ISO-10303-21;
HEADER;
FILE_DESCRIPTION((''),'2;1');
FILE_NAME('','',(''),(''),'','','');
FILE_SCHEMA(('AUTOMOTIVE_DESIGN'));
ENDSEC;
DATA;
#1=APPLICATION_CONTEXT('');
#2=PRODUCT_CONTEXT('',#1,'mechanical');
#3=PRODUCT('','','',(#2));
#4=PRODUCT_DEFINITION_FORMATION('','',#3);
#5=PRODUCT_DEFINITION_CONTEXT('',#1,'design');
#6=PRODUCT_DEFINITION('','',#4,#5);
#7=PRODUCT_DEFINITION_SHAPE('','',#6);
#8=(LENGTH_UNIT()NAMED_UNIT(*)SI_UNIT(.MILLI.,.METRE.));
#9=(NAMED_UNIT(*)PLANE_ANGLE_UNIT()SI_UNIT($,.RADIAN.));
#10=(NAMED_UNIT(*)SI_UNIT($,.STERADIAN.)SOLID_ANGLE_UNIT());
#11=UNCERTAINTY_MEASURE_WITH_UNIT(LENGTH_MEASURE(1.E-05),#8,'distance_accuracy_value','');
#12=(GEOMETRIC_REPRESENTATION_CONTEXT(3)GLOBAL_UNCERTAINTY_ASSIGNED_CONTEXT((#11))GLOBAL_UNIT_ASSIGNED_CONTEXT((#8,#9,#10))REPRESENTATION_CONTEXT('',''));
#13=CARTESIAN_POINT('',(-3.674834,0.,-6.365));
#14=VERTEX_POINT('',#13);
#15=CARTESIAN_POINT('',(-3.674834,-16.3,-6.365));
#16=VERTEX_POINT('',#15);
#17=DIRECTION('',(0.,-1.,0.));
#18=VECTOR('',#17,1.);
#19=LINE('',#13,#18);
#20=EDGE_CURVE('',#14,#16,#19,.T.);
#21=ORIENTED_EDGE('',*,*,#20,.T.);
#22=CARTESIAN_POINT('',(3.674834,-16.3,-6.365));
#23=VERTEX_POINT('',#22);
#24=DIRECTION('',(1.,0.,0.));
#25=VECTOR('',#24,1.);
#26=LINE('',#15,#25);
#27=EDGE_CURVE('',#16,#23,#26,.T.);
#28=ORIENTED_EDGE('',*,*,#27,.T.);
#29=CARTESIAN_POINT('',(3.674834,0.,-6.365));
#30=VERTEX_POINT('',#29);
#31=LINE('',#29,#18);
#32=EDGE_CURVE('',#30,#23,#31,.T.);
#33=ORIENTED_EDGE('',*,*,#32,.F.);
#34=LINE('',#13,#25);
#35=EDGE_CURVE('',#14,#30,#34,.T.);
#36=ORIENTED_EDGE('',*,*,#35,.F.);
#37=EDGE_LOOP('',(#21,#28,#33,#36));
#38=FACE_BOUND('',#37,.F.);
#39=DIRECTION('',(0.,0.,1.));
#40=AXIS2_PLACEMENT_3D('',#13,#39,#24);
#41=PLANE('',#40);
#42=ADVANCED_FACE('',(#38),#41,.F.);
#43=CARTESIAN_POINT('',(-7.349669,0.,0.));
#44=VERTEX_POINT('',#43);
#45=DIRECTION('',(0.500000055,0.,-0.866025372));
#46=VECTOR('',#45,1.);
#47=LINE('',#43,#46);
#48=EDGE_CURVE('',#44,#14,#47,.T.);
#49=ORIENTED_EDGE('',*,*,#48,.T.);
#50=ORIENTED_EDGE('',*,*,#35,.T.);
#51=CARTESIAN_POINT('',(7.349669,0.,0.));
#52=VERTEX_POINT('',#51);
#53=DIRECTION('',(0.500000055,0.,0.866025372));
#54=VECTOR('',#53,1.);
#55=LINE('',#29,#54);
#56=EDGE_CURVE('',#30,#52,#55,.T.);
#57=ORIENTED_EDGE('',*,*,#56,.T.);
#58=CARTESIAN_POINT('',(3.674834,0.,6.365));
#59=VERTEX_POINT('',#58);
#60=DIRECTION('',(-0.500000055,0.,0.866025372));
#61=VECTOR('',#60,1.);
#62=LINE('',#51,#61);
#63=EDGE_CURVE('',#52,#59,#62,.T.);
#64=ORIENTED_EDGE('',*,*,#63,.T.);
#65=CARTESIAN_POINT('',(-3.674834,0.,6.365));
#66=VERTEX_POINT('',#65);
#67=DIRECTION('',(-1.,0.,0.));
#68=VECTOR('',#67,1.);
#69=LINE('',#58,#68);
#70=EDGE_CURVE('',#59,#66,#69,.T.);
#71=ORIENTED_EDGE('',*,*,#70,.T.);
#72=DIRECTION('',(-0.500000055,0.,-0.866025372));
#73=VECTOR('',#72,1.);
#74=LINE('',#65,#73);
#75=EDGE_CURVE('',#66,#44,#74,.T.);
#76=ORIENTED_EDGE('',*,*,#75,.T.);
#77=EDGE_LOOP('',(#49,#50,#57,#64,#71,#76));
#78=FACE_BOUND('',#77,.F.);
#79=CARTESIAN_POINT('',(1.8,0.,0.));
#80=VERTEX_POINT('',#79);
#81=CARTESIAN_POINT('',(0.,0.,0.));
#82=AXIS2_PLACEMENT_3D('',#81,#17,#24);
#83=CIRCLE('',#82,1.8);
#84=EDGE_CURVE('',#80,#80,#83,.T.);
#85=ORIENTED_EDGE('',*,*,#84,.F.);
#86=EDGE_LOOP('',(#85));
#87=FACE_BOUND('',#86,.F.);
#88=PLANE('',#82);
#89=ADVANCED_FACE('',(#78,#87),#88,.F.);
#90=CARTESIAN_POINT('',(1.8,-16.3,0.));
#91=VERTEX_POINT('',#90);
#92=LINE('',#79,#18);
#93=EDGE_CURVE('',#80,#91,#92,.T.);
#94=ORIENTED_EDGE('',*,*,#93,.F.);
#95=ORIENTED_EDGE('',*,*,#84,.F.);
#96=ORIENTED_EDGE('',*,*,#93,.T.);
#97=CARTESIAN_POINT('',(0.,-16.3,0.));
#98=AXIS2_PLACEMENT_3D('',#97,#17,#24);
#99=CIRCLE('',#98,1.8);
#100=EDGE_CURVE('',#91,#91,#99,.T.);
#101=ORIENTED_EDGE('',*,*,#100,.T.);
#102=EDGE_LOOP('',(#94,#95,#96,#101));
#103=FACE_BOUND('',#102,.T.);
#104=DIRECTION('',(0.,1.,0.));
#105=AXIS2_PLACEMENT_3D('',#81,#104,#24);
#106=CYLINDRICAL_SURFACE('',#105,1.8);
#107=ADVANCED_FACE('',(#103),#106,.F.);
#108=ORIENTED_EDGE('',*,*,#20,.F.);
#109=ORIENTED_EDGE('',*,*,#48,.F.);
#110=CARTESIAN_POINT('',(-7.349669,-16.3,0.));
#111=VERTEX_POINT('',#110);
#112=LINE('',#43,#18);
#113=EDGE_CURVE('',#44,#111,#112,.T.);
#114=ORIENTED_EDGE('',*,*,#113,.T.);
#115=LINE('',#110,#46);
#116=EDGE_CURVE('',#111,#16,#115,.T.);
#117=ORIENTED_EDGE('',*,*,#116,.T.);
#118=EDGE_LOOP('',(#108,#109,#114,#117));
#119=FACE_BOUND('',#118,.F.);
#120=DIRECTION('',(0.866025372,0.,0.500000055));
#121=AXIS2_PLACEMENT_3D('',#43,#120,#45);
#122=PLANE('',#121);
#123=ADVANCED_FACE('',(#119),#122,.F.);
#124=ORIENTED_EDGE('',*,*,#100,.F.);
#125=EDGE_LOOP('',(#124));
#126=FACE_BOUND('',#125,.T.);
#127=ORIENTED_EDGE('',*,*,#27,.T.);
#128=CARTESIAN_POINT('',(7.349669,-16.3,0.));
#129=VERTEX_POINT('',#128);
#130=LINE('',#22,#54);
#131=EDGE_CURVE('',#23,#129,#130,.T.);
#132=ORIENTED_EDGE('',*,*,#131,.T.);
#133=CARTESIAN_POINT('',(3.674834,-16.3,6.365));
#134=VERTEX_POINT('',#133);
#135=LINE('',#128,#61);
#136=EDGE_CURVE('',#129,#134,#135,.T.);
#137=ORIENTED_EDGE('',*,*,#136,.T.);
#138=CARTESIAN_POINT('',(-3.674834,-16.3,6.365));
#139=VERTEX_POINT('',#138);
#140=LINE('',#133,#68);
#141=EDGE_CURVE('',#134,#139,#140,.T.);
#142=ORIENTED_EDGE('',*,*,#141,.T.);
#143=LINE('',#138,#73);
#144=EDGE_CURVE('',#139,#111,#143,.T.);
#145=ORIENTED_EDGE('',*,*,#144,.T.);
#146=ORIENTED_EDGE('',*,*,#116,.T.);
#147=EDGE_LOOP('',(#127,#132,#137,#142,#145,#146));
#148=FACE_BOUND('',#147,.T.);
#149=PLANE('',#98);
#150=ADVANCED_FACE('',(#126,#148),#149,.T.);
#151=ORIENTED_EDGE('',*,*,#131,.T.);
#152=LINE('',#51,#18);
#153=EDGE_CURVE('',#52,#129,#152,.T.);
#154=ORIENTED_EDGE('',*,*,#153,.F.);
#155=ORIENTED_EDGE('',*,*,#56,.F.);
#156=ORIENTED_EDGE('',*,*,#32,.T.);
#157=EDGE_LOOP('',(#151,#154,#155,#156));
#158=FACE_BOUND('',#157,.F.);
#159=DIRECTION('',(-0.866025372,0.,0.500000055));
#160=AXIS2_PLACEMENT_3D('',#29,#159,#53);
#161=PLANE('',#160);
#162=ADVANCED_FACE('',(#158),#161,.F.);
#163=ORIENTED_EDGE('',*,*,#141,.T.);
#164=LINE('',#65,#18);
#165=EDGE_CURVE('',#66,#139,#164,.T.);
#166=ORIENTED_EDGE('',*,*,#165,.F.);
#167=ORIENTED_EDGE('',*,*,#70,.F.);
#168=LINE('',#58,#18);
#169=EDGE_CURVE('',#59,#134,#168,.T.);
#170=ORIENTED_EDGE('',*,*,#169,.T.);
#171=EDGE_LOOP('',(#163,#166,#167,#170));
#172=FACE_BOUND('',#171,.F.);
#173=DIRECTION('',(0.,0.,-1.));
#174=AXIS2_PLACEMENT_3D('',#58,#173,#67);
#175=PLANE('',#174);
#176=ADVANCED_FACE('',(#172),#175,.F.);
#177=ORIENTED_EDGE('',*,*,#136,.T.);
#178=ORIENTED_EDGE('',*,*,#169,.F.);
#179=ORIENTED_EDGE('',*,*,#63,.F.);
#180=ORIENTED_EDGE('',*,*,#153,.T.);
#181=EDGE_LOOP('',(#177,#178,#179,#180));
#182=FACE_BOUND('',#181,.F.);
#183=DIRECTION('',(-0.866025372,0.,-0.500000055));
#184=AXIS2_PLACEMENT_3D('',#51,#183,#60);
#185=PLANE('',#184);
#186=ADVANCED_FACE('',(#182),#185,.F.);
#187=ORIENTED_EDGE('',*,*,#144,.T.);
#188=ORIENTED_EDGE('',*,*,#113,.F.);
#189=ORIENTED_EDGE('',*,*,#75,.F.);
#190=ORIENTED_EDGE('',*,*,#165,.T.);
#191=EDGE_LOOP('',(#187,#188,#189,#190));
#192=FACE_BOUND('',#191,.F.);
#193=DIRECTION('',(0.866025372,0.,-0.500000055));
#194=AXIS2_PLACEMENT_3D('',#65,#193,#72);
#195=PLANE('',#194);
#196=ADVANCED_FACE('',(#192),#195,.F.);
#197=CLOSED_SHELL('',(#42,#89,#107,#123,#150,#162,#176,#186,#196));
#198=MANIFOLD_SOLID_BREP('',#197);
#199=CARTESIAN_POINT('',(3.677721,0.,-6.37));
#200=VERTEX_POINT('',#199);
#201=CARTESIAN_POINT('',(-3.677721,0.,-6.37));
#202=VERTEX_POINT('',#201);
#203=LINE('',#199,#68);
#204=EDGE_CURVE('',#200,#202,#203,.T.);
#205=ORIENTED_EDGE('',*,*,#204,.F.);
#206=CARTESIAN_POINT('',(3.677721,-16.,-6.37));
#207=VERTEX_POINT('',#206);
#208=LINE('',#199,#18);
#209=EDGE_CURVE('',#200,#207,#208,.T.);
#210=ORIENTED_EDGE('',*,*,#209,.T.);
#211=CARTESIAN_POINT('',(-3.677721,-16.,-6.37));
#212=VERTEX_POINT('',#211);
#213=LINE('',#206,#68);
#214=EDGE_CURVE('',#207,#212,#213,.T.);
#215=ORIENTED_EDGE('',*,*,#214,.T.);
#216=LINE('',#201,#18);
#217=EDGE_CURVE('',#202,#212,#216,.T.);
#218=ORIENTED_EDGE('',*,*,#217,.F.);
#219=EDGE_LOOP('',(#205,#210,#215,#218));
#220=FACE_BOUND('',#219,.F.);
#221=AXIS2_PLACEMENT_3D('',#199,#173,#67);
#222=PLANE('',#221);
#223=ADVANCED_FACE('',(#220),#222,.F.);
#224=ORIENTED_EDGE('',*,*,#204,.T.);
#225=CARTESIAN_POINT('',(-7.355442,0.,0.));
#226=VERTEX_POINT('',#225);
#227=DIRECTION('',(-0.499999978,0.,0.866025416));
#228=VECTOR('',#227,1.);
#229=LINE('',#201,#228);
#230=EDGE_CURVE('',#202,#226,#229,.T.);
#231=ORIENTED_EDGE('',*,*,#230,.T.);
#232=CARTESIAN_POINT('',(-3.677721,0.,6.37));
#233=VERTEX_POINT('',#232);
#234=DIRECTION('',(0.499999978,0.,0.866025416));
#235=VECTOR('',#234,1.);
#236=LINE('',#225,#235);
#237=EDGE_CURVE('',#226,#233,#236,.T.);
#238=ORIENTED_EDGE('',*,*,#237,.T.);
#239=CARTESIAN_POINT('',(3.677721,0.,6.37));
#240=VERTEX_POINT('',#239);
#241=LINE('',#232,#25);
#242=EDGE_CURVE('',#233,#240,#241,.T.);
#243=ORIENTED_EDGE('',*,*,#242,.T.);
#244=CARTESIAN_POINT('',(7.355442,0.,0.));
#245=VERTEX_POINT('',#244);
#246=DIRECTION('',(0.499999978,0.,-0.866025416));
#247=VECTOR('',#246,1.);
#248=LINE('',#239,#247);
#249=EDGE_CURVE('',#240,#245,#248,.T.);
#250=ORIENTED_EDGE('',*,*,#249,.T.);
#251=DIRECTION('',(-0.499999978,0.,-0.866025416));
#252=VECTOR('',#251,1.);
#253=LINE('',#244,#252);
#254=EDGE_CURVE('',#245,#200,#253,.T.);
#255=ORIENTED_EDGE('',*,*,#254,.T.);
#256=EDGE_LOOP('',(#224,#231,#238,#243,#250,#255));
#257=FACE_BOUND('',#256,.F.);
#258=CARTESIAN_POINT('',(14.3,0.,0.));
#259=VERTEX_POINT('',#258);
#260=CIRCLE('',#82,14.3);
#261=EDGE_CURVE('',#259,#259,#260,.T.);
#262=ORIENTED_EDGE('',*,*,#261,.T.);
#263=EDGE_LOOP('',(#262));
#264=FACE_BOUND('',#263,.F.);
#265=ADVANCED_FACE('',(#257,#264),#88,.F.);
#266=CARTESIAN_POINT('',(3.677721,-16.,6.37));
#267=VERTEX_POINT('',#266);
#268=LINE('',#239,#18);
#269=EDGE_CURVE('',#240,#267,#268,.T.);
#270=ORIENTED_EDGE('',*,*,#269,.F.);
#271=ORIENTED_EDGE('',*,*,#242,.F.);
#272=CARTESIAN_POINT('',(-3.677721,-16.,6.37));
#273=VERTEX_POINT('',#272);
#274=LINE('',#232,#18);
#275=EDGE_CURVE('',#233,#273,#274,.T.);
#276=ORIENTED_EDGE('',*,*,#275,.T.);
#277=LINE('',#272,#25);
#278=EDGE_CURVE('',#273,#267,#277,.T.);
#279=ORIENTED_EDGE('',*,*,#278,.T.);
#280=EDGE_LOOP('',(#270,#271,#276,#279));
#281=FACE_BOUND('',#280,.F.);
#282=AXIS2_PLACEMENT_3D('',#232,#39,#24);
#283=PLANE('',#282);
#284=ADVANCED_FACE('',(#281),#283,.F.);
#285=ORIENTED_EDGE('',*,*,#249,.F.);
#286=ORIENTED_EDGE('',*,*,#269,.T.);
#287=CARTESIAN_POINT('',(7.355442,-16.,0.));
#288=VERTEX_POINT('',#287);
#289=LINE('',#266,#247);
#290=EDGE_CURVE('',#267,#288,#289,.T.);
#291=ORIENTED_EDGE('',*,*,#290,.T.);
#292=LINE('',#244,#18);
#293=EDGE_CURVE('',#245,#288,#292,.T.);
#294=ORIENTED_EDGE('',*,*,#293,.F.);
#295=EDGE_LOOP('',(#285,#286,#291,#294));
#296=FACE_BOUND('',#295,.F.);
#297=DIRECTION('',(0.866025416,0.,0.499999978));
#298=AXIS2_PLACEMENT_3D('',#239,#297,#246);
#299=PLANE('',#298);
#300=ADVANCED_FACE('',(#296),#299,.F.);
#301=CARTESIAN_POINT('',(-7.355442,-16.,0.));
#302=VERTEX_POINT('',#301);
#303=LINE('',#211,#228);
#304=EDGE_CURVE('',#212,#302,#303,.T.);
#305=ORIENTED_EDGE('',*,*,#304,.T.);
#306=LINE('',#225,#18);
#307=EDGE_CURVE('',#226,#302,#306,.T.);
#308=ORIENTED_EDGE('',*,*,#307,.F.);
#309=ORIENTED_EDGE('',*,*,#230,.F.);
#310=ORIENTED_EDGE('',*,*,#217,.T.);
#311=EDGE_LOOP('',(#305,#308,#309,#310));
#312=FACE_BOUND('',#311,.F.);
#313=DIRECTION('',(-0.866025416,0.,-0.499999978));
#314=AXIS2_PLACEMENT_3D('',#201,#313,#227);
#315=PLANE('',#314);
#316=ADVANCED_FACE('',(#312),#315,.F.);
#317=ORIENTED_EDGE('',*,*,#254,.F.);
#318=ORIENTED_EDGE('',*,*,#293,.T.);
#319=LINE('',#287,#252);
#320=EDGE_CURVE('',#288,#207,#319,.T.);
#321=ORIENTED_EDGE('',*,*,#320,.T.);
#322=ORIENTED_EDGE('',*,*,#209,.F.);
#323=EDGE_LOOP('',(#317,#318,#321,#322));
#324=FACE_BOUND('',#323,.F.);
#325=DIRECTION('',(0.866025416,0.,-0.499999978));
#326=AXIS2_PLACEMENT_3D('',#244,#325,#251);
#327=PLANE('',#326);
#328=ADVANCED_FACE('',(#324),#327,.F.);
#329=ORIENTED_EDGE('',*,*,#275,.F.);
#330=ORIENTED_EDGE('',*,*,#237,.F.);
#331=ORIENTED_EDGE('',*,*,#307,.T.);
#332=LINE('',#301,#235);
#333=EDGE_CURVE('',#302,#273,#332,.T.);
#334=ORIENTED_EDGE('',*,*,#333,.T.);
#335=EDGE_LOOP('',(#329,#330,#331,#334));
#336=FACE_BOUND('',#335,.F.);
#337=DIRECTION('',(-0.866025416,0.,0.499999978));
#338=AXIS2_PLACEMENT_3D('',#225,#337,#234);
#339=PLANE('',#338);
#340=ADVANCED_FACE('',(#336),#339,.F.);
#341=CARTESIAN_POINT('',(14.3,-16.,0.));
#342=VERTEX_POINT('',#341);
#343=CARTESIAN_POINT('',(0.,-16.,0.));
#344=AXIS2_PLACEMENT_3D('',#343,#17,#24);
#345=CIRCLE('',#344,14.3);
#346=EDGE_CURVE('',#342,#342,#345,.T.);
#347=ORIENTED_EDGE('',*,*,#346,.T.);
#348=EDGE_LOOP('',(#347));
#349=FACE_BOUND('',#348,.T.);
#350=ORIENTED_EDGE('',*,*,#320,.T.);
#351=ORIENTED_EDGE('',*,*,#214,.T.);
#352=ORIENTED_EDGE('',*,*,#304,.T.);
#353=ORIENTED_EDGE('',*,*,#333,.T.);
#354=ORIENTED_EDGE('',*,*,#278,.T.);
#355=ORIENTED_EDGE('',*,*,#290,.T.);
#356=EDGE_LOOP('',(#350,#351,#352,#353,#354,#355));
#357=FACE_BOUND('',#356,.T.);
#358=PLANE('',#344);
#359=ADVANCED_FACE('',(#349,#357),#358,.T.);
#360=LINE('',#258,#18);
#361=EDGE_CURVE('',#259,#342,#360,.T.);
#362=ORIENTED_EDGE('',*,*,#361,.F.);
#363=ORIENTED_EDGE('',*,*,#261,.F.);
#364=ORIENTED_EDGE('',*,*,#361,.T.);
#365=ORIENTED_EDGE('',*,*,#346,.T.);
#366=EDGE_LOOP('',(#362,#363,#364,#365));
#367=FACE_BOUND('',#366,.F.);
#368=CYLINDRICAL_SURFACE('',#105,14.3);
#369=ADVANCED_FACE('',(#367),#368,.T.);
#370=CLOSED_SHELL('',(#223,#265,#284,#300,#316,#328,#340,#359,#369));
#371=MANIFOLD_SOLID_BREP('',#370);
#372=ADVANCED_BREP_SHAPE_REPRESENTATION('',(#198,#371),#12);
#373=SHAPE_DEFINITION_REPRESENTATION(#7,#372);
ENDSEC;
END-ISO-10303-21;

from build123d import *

# Parameters (mm, degrees)
F0_R     = 1.8
F1_DEPTH = 16.3
F2_R     = 14.3
F3_DEPTH = 16


with BuildPart() as f1:
    # F0 (on Front) → F1 (new body)
    with BuildSketch(Plane.XZ):
        Polygon((3.674834, 6.365), (-3.674834, 6.365), (-7.349669, 0), (-3.674834, -6.365), (3.674834, -6.365), (7.349669, 0), align=None)
        Circle(F0_R, mode=Mode.SUBTRACT)
    extrude(amount=F1_DEPTH)


with BuildPart() as f3:
    # F2 (on Front) → F3 (new body)
    with BuildSketch(Plane.XZ):
        Circle(F2_R)
        Polygon((-7.355442, 0), (-3.677721, 6.37), (3.677721, 6.37), (7.355442, 0), (3.677721, -6.37), (-3.677721, -6.37), align=None, mode=Mode.SUBTRACT)
    extrude(amount=F3_DEPTH)


solid = Compound([f1.part, f3.part])
